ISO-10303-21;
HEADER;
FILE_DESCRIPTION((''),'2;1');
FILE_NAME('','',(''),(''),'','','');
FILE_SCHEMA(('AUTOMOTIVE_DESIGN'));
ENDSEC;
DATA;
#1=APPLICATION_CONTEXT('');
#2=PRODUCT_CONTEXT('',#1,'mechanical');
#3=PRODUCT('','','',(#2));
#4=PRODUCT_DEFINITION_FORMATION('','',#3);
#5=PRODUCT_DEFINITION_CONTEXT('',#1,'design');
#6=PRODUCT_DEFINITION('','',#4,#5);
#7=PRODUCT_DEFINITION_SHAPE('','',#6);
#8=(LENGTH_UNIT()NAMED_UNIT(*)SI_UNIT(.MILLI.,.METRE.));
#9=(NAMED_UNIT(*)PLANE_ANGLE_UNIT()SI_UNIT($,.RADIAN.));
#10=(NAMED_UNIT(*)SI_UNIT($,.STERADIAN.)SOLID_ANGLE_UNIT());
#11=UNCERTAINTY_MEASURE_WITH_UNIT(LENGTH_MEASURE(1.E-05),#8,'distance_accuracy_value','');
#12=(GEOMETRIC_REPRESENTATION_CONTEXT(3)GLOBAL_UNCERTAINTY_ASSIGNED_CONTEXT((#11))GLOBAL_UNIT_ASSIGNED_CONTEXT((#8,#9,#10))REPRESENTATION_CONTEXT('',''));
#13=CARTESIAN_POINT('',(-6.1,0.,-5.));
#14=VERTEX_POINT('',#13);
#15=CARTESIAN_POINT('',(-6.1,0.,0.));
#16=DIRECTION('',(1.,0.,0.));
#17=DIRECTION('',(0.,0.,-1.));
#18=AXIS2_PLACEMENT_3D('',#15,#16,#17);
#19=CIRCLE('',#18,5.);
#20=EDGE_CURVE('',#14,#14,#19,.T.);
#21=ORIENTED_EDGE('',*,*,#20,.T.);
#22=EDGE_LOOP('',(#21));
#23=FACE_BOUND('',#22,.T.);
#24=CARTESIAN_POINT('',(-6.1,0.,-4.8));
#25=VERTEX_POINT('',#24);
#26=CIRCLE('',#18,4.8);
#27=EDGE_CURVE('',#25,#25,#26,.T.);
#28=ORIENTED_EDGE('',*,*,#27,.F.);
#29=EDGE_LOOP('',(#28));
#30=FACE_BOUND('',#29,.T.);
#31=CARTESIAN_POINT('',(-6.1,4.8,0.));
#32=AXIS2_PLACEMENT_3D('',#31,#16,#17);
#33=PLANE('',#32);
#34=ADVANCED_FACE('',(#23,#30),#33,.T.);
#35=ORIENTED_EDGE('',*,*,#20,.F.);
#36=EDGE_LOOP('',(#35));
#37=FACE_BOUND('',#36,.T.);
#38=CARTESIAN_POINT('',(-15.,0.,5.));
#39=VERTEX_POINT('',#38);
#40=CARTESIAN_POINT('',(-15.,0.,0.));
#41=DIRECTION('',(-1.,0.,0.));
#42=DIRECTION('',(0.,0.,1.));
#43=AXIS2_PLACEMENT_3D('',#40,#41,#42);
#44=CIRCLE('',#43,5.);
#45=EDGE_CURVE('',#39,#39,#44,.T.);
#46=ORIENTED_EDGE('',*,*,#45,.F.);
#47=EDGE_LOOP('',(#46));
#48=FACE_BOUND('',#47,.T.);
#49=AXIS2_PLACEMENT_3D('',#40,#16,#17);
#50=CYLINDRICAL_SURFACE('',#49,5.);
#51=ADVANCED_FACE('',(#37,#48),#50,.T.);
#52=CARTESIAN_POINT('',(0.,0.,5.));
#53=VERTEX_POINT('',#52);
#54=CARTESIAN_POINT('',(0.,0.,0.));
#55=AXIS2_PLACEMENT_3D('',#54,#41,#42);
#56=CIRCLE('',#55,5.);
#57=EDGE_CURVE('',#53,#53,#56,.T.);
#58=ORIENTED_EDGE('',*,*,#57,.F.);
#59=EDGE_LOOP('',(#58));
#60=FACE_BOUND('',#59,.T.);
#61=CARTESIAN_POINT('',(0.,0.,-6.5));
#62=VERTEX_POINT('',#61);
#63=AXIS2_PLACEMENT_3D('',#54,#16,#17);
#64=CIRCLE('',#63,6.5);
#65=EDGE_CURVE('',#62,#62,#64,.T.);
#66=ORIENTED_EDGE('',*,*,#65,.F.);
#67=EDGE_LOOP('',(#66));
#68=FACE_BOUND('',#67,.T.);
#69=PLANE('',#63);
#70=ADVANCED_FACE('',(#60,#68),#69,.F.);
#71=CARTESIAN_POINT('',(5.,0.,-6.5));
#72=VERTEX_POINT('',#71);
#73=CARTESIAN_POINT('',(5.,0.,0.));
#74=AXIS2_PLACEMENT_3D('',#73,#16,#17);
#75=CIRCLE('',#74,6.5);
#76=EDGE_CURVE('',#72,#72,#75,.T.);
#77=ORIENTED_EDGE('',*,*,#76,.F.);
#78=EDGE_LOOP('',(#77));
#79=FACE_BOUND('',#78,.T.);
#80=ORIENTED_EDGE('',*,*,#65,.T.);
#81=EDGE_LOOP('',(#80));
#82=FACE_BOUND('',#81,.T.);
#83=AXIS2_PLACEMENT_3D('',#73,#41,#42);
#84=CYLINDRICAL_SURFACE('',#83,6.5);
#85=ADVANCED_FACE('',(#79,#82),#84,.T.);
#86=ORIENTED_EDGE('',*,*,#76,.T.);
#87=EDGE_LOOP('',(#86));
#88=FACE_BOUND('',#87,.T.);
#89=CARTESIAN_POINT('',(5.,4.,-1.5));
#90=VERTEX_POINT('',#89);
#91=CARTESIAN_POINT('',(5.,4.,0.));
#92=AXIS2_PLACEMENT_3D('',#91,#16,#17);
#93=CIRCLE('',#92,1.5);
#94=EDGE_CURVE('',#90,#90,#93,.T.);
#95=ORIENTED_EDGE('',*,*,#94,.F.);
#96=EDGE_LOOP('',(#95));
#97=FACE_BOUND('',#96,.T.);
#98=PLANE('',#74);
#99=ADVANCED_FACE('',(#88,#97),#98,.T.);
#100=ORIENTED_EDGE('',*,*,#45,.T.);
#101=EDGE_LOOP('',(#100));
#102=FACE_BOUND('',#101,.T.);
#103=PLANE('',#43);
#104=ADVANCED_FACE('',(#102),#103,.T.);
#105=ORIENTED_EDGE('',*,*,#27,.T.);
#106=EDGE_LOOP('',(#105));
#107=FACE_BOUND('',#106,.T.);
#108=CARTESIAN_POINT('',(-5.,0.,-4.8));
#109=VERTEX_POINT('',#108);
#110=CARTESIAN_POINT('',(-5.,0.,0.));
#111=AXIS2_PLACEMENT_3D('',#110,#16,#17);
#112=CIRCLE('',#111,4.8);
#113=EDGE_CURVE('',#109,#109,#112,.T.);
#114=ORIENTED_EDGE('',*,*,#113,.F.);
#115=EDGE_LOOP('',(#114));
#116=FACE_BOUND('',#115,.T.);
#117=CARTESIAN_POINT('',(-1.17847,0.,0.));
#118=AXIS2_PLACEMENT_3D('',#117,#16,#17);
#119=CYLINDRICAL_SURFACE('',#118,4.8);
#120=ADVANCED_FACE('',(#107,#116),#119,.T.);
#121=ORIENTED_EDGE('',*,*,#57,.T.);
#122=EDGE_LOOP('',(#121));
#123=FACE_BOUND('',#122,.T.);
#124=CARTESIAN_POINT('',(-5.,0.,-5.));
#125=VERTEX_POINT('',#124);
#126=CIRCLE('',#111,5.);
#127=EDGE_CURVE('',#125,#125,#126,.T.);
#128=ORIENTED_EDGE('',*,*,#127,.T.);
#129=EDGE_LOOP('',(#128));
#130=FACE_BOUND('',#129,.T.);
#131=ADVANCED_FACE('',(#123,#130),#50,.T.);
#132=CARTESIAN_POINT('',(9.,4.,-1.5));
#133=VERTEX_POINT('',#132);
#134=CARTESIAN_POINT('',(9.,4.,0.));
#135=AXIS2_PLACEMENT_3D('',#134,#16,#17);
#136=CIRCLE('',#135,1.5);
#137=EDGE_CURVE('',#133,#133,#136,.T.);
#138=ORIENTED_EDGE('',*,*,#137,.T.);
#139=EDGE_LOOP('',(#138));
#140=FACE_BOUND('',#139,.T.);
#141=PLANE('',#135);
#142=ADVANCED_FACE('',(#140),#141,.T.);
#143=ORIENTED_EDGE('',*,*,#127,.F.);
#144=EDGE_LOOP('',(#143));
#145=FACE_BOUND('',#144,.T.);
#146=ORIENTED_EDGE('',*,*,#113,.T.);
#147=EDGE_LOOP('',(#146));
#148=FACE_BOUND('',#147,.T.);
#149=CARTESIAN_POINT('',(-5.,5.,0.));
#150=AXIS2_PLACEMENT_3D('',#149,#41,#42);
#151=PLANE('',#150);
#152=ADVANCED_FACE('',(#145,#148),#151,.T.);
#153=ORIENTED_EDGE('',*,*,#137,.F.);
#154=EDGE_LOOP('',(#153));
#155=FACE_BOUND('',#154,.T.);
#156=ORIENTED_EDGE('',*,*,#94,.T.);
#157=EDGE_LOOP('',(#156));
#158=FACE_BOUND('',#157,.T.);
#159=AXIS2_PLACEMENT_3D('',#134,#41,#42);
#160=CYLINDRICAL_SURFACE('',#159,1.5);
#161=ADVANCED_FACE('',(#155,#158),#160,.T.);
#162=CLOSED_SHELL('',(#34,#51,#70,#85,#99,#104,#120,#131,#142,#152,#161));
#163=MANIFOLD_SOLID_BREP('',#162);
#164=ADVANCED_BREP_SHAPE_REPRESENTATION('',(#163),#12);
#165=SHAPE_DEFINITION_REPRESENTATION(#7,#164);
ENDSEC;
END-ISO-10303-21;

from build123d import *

# Parameters (mm, degrees)
SKETCH1_R           = 6.5
BOSS_EXTRUDE1_DEPTH = 5
SKETCH2_R           = 5
BOSS_EXTRUDE2_DEPTH = 15
SKETCH3_R           = 1.5
BOSS_EXTRUDE3_DEPTH = 4
SKETCH4_W           = 1.1
SKETCH4_H           = 0.2


with BuildPart() as part:
    # Sketch1 → Boss-Extrude1 (new body)
    with BuildSketch(Plane(origin=(0, 0, 0), x_dir=(0, 0, -1), z_dir=(1, 0, 0))):
        Circle(SKETCH1_R)
    extrude(amount=BOSS_EXTRUDE1_DEPTH)

    # Sketch2 → Boss-Extrude2 (add)
    with BuildSketch(Plane.ZY):
        Circle(SKETCH2_R)
    extrude(amount=BOSS_EXTRUDE2_DEPTH)

    # Sketch3 → Boss-Extrude3 (add)
    with BuildSketch(Plane(origin=(5, 0, 0), x_dir=(0, 0, -1), z_dir=(1, 0, 0))):
        with Locations((0, 4)):
            Circle(SKETCH3_R)
    extrude(amount=BOSS_EXTRUDE3_DEPTH)

    # Sketch4 → Cut-Revolve1 (revolve, cut)
    with BuildSketch(Plane.XY):
        with Locations((-5.55, 4.9)):
            Rectangle(SKETCH4_W, SKETCH4_H)
    revolve(axis=Axis((-1.178470482, 0, 0), (-1, 0, 0)), mode=Mode.SUBTRACT)


solid = part.part
